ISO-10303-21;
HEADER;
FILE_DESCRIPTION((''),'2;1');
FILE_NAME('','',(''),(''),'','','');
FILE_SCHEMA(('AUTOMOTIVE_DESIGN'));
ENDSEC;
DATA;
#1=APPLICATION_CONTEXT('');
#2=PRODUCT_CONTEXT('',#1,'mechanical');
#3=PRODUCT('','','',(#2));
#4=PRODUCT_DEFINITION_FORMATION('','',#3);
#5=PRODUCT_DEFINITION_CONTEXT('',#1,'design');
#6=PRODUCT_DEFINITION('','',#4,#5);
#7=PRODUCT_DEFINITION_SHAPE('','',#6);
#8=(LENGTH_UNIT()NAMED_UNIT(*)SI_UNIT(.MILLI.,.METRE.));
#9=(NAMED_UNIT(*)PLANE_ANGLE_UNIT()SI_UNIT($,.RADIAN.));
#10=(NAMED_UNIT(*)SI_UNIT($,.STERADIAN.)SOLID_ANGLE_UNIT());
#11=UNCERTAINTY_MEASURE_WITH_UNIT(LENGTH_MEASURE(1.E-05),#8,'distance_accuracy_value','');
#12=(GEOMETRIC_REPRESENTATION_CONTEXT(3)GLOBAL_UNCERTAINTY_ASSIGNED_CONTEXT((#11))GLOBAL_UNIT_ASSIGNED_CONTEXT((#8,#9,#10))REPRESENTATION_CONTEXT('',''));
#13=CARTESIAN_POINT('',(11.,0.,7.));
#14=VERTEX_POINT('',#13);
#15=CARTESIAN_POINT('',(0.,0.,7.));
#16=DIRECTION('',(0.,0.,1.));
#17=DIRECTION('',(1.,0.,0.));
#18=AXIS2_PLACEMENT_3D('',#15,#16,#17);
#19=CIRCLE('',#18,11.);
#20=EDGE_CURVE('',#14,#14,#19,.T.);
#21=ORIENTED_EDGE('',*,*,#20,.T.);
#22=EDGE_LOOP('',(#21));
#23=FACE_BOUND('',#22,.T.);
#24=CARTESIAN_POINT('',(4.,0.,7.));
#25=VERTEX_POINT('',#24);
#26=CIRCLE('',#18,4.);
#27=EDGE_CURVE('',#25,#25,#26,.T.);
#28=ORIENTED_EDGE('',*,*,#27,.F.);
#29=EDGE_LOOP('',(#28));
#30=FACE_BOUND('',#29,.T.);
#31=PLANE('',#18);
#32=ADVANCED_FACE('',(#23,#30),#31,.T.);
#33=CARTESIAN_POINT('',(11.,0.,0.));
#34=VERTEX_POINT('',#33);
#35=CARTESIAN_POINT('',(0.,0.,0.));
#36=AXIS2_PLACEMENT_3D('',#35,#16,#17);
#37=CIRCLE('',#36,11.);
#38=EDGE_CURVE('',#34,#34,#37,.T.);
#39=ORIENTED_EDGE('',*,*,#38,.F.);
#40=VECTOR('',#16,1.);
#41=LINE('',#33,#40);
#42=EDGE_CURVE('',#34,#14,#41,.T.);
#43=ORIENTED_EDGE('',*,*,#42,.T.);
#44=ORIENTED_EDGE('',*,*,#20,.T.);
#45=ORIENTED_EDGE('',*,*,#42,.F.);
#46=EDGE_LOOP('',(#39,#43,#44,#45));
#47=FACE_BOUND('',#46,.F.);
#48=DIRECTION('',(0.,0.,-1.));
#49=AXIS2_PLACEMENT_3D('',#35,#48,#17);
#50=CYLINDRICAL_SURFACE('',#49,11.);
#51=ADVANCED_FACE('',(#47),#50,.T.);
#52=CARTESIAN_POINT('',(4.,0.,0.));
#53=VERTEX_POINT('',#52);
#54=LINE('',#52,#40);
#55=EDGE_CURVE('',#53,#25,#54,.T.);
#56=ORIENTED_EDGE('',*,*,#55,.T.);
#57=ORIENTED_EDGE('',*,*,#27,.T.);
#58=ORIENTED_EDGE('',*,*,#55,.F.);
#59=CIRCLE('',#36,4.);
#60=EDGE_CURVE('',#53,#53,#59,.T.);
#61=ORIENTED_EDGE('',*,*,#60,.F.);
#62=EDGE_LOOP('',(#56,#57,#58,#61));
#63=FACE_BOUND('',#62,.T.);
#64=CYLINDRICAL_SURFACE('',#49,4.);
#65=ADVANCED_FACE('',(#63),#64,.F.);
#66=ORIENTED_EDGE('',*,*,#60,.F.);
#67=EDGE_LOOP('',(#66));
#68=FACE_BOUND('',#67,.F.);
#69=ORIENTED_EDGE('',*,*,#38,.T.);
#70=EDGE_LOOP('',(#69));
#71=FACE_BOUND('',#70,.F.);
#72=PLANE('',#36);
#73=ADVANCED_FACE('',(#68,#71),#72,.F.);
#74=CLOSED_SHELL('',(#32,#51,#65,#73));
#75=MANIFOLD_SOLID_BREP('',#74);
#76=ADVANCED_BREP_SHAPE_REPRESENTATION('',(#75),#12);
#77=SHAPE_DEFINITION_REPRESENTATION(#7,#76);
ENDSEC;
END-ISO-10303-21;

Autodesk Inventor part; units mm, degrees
ref_plane "YZ Plane" through (0, 0, 0) normal (1, 0, 0) x (0, 1, 0)
ref_plane "XZ Plane" through (0, 0, 0) normal (0, 1, 0) x (-1, 0, 0)
ref_plane "XY Plane" through (0, 0, 0) normal (0, 0, 1) x (1, 0, 0)
sketch "Sketch1" plane through (0, 0, 0) normal (0, 0, 1) x (1, 0, 0)
  circle A0 centre (0, 0) radius 4
  circle A1 centre (0, 0) radius 11
  dimension "d0" = 8
  dimension "d1" = 22
extrude "Extrusion1" add sketch "Sketch1" along normal blind 7
properties part number "bearing 608"
